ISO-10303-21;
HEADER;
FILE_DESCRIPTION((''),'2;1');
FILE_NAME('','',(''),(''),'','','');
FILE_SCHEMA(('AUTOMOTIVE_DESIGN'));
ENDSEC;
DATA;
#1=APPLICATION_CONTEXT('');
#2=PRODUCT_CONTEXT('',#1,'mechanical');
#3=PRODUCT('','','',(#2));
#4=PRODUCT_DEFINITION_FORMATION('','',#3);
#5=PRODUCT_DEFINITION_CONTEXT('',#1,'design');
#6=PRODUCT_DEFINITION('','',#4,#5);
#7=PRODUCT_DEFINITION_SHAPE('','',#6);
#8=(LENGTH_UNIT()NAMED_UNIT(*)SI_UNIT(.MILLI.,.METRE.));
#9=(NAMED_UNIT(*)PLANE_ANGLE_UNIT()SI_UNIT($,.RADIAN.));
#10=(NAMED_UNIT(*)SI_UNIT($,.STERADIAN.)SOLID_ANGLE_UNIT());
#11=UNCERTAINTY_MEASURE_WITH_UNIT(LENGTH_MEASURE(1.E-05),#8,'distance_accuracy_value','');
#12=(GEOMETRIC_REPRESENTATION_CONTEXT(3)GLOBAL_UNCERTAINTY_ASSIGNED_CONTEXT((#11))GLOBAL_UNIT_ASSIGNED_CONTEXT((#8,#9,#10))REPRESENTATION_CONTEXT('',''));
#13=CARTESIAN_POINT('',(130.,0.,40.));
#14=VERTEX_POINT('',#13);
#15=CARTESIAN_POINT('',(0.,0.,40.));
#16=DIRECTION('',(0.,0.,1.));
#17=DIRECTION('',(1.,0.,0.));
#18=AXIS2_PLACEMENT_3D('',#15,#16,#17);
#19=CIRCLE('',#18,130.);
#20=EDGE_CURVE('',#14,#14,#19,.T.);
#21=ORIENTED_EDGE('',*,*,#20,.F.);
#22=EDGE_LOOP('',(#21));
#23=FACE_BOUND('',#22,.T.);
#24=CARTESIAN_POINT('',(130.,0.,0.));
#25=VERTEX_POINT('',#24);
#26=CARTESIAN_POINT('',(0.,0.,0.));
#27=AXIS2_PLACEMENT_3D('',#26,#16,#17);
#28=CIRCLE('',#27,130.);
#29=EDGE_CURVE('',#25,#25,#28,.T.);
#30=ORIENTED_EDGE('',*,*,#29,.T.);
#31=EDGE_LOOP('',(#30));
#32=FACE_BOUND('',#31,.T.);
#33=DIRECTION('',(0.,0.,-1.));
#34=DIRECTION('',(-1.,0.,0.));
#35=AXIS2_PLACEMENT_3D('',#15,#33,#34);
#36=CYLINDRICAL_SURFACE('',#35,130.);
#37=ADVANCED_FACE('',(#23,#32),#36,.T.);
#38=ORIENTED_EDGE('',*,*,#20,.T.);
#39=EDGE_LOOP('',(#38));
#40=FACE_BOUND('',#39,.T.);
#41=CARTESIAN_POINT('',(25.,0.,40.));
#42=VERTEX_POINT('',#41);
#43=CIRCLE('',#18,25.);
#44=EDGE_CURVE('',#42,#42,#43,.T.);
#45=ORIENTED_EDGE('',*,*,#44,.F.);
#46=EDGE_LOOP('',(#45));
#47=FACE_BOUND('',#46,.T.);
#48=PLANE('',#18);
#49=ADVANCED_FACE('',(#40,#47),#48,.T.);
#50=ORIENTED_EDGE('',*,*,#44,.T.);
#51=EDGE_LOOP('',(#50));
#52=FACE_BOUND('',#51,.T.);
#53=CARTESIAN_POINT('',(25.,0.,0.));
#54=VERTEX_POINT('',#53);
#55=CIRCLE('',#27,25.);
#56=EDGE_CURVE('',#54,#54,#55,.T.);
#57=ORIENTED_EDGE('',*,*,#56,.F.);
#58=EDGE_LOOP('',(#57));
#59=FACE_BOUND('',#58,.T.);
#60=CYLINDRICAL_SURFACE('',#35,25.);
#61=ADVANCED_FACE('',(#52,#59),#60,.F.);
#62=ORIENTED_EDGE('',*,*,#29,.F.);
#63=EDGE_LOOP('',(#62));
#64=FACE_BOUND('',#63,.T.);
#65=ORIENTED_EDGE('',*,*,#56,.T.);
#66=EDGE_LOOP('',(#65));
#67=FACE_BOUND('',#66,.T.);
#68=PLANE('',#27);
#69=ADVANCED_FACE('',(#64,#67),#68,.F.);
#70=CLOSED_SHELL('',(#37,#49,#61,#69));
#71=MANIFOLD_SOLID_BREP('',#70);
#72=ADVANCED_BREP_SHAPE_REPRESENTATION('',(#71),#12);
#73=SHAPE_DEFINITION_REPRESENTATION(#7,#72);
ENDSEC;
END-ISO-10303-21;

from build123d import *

# Parameters (mm, degrees)
SKETCH_8_R      = 130
SKETCH_8_R_2    = 25
EXTRUDE_1_DEPTH = 40


with BuildPart() as part:
    # 草图8 → 凸台-拉伸1 (new body)
    with BuildSketch(Plane.XY):
        Circle(SKETCH_8_R)
        Circle(SKETCH_8_R_2, mode=Mode.SUBTRACT)
    extrude(amount=EXTRUDE_1_DEPTH)


solid = part.part
